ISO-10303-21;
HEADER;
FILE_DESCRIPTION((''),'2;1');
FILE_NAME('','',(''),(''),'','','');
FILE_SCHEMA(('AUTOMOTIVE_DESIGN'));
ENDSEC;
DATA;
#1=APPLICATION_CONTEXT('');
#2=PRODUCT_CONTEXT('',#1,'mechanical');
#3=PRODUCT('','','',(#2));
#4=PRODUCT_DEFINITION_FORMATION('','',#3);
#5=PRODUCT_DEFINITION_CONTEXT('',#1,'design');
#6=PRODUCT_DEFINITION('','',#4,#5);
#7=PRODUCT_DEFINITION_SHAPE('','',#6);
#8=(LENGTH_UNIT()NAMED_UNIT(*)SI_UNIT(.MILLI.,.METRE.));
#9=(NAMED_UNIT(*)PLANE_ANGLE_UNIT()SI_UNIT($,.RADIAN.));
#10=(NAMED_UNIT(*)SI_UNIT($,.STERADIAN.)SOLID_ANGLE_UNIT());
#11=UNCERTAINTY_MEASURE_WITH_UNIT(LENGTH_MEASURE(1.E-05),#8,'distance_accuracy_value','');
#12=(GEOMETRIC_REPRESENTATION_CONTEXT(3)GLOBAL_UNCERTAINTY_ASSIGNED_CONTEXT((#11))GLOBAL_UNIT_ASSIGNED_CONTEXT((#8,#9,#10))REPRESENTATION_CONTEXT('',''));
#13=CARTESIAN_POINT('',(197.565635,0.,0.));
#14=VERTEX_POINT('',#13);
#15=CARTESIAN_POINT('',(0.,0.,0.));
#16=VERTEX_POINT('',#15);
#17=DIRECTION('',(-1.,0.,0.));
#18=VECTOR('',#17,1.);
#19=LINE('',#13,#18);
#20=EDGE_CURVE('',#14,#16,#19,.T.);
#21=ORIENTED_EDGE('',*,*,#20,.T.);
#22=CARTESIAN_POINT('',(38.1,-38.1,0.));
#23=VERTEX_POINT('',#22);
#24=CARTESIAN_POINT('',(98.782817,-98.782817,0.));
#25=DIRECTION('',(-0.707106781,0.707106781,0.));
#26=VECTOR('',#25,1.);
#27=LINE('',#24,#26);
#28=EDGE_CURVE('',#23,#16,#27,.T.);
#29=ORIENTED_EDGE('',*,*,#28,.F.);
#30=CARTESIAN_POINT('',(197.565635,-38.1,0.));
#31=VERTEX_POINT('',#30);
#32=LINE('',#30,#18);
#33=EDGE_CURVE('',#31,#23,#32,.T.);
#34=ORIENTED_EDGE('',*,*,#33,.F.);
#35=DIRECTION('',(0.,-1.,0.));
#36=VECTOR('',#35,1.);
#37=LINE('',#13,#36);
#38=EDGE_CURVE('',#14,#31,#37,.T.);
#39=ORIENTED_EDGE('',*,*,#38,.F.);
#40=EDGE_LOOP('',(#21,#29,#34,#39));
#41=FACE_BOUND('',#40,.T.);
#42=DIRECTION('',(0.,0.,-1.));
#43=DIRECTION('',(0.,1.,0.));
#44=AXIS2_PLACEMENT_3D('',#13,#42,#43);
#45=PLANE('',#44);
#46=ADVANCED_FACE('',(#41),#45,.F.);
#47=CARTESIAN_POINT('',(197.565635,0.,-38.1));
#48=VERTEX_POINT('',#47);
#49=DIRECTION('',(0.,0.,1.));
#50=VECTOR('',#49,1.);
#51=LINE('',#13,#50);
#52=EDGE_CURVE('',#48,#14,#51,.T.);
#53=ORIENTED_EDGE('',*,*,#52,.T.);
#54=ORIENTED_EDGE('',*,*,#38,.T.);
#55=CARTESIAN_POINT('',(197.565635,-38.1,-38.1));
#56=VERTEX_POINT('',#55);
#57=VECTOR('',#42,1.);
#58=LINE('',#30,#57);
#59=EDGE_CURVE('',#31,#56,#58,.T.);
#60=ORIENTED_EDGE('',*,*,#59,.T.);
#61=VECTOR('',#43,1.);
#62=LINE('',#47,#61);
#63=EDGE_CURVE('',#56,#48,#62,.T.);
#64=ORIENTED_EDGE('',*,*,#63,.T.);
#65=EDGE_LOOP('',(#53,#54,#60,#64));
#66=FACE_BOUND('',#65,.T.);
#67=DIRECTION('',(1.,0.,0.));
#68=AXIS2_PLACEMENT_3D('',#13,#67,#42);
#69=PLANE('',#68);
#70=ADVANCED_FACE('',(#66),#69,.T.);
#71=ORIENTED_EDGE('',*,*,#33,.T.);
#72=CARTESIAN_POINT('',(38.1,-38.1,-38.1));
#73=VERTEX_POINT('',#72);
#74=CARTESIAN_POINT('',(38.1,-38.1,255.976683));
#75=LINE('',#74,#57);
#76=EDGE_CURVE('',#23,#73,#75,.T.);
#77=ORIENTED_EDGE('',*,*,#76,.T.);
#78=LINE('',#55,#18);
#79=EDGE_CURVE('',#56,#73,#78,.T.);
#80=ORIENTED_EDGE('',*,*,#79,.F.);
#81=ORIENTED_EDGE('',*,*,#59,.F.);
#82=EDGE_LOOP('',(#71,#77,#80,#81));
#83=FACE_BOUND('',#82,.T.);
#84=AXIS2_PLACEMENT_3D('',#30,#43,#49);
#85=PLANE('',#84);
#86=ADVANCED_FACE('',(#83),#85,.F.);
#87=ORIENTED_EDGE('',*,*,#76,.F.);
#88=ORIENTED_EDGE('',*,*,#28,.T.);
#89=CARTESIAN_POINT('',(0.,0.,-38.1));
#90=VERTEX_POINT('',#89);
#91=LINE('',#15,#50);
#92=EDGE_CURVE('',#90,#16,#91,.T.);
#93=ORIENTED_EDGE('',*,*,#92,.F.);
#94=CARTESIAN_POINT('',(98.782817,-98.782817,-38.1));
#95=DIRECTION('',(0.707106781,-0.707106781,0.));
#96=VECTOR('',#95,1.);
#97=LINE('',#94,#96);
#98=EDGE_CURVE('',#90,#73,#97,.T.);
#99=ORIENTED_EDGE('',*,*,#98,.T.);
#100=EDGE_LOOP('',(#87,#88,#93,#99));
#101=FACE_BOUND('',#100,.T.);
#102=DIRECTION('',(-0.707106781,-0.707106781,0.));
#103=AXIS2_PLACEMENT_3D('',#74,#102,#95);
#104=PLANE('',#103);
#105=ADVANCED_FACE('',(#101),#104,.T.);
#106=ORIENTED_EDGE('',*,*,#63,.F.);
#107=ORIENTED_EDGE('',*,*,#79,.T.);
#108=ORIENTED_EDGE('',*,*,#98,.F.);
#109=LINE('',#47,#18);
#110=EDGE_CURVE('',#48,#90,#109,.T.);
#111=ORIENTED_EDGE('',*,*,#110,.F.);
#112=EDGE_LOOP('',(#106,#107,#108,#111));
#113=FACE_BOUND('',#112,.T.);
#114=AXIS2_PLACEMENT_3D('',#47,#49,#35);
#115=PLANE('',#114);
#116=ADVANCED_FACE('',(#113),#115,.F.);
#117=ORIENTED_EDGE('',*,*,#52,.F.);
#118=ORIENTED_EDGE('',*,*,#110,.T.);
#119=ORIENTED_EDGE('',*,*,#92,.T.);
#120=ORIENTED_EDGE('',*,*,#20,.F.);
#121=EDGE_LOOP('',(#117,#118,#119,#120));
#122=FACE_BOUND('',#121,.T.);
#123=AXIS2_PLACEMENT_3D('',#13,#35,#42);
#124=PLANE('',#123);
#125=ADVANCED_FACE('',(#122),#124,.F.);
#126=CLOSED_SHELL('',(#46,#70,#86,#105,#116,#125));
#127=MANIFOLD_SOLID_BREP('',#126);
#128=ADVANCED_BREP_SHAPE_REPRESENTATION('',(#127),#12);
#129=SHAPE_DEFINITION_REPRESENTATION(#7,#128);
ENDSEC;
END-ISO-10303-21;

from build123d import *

# Parameters (mm, degrees)
SKETCH1_W               = 38.1
SKETCH1_H               = 38.1
BOSS_EXTRUDE1_DEPTH     = 197.565634586
CUT_EXTRUDE1_DEPTH      = 205.781346732
CUT_EXTRUDE1_DEPTH_BACK = 205.781346732


with BuildPart() as part:
    # Sketch1 → Boss-Extrude1 (new body)
    with BuildSketch(Plane(origin=(0, 0, 0), x_dir=(0, 0, -1), z_dir=(1, 0, 0))):
        with Locations((19.05, -19.05)):
            Rectangle(SKETCH1_W, SKETCH1_H)
    extrude(amount=BOSS_EXTRUDE1_DEPTH)

    # Sketch2 → Cut-Extrude1 (cut, two sides: drawn at the far end of the back side and taken through both)
    with BuildSketch(Plane.XY.offset(-CUT_EXTRUDE1_DEPTH_BACK)):
        Polygon((-412.411679599, -38.1), (0, -38.1), (38.1, -38.1), (0, 0), (-291.619095285, 291.619095285), (-1066.105455758, 575.352158778), (-1186.898040072, 245.633063493), align=None)
    extrude(amount=CUT_EXTRUDE1_DEPTH + CUT_EXTRUDE1_DEPTH_BACK, mode=Mode.SUBTRACT)


solid = part.part
